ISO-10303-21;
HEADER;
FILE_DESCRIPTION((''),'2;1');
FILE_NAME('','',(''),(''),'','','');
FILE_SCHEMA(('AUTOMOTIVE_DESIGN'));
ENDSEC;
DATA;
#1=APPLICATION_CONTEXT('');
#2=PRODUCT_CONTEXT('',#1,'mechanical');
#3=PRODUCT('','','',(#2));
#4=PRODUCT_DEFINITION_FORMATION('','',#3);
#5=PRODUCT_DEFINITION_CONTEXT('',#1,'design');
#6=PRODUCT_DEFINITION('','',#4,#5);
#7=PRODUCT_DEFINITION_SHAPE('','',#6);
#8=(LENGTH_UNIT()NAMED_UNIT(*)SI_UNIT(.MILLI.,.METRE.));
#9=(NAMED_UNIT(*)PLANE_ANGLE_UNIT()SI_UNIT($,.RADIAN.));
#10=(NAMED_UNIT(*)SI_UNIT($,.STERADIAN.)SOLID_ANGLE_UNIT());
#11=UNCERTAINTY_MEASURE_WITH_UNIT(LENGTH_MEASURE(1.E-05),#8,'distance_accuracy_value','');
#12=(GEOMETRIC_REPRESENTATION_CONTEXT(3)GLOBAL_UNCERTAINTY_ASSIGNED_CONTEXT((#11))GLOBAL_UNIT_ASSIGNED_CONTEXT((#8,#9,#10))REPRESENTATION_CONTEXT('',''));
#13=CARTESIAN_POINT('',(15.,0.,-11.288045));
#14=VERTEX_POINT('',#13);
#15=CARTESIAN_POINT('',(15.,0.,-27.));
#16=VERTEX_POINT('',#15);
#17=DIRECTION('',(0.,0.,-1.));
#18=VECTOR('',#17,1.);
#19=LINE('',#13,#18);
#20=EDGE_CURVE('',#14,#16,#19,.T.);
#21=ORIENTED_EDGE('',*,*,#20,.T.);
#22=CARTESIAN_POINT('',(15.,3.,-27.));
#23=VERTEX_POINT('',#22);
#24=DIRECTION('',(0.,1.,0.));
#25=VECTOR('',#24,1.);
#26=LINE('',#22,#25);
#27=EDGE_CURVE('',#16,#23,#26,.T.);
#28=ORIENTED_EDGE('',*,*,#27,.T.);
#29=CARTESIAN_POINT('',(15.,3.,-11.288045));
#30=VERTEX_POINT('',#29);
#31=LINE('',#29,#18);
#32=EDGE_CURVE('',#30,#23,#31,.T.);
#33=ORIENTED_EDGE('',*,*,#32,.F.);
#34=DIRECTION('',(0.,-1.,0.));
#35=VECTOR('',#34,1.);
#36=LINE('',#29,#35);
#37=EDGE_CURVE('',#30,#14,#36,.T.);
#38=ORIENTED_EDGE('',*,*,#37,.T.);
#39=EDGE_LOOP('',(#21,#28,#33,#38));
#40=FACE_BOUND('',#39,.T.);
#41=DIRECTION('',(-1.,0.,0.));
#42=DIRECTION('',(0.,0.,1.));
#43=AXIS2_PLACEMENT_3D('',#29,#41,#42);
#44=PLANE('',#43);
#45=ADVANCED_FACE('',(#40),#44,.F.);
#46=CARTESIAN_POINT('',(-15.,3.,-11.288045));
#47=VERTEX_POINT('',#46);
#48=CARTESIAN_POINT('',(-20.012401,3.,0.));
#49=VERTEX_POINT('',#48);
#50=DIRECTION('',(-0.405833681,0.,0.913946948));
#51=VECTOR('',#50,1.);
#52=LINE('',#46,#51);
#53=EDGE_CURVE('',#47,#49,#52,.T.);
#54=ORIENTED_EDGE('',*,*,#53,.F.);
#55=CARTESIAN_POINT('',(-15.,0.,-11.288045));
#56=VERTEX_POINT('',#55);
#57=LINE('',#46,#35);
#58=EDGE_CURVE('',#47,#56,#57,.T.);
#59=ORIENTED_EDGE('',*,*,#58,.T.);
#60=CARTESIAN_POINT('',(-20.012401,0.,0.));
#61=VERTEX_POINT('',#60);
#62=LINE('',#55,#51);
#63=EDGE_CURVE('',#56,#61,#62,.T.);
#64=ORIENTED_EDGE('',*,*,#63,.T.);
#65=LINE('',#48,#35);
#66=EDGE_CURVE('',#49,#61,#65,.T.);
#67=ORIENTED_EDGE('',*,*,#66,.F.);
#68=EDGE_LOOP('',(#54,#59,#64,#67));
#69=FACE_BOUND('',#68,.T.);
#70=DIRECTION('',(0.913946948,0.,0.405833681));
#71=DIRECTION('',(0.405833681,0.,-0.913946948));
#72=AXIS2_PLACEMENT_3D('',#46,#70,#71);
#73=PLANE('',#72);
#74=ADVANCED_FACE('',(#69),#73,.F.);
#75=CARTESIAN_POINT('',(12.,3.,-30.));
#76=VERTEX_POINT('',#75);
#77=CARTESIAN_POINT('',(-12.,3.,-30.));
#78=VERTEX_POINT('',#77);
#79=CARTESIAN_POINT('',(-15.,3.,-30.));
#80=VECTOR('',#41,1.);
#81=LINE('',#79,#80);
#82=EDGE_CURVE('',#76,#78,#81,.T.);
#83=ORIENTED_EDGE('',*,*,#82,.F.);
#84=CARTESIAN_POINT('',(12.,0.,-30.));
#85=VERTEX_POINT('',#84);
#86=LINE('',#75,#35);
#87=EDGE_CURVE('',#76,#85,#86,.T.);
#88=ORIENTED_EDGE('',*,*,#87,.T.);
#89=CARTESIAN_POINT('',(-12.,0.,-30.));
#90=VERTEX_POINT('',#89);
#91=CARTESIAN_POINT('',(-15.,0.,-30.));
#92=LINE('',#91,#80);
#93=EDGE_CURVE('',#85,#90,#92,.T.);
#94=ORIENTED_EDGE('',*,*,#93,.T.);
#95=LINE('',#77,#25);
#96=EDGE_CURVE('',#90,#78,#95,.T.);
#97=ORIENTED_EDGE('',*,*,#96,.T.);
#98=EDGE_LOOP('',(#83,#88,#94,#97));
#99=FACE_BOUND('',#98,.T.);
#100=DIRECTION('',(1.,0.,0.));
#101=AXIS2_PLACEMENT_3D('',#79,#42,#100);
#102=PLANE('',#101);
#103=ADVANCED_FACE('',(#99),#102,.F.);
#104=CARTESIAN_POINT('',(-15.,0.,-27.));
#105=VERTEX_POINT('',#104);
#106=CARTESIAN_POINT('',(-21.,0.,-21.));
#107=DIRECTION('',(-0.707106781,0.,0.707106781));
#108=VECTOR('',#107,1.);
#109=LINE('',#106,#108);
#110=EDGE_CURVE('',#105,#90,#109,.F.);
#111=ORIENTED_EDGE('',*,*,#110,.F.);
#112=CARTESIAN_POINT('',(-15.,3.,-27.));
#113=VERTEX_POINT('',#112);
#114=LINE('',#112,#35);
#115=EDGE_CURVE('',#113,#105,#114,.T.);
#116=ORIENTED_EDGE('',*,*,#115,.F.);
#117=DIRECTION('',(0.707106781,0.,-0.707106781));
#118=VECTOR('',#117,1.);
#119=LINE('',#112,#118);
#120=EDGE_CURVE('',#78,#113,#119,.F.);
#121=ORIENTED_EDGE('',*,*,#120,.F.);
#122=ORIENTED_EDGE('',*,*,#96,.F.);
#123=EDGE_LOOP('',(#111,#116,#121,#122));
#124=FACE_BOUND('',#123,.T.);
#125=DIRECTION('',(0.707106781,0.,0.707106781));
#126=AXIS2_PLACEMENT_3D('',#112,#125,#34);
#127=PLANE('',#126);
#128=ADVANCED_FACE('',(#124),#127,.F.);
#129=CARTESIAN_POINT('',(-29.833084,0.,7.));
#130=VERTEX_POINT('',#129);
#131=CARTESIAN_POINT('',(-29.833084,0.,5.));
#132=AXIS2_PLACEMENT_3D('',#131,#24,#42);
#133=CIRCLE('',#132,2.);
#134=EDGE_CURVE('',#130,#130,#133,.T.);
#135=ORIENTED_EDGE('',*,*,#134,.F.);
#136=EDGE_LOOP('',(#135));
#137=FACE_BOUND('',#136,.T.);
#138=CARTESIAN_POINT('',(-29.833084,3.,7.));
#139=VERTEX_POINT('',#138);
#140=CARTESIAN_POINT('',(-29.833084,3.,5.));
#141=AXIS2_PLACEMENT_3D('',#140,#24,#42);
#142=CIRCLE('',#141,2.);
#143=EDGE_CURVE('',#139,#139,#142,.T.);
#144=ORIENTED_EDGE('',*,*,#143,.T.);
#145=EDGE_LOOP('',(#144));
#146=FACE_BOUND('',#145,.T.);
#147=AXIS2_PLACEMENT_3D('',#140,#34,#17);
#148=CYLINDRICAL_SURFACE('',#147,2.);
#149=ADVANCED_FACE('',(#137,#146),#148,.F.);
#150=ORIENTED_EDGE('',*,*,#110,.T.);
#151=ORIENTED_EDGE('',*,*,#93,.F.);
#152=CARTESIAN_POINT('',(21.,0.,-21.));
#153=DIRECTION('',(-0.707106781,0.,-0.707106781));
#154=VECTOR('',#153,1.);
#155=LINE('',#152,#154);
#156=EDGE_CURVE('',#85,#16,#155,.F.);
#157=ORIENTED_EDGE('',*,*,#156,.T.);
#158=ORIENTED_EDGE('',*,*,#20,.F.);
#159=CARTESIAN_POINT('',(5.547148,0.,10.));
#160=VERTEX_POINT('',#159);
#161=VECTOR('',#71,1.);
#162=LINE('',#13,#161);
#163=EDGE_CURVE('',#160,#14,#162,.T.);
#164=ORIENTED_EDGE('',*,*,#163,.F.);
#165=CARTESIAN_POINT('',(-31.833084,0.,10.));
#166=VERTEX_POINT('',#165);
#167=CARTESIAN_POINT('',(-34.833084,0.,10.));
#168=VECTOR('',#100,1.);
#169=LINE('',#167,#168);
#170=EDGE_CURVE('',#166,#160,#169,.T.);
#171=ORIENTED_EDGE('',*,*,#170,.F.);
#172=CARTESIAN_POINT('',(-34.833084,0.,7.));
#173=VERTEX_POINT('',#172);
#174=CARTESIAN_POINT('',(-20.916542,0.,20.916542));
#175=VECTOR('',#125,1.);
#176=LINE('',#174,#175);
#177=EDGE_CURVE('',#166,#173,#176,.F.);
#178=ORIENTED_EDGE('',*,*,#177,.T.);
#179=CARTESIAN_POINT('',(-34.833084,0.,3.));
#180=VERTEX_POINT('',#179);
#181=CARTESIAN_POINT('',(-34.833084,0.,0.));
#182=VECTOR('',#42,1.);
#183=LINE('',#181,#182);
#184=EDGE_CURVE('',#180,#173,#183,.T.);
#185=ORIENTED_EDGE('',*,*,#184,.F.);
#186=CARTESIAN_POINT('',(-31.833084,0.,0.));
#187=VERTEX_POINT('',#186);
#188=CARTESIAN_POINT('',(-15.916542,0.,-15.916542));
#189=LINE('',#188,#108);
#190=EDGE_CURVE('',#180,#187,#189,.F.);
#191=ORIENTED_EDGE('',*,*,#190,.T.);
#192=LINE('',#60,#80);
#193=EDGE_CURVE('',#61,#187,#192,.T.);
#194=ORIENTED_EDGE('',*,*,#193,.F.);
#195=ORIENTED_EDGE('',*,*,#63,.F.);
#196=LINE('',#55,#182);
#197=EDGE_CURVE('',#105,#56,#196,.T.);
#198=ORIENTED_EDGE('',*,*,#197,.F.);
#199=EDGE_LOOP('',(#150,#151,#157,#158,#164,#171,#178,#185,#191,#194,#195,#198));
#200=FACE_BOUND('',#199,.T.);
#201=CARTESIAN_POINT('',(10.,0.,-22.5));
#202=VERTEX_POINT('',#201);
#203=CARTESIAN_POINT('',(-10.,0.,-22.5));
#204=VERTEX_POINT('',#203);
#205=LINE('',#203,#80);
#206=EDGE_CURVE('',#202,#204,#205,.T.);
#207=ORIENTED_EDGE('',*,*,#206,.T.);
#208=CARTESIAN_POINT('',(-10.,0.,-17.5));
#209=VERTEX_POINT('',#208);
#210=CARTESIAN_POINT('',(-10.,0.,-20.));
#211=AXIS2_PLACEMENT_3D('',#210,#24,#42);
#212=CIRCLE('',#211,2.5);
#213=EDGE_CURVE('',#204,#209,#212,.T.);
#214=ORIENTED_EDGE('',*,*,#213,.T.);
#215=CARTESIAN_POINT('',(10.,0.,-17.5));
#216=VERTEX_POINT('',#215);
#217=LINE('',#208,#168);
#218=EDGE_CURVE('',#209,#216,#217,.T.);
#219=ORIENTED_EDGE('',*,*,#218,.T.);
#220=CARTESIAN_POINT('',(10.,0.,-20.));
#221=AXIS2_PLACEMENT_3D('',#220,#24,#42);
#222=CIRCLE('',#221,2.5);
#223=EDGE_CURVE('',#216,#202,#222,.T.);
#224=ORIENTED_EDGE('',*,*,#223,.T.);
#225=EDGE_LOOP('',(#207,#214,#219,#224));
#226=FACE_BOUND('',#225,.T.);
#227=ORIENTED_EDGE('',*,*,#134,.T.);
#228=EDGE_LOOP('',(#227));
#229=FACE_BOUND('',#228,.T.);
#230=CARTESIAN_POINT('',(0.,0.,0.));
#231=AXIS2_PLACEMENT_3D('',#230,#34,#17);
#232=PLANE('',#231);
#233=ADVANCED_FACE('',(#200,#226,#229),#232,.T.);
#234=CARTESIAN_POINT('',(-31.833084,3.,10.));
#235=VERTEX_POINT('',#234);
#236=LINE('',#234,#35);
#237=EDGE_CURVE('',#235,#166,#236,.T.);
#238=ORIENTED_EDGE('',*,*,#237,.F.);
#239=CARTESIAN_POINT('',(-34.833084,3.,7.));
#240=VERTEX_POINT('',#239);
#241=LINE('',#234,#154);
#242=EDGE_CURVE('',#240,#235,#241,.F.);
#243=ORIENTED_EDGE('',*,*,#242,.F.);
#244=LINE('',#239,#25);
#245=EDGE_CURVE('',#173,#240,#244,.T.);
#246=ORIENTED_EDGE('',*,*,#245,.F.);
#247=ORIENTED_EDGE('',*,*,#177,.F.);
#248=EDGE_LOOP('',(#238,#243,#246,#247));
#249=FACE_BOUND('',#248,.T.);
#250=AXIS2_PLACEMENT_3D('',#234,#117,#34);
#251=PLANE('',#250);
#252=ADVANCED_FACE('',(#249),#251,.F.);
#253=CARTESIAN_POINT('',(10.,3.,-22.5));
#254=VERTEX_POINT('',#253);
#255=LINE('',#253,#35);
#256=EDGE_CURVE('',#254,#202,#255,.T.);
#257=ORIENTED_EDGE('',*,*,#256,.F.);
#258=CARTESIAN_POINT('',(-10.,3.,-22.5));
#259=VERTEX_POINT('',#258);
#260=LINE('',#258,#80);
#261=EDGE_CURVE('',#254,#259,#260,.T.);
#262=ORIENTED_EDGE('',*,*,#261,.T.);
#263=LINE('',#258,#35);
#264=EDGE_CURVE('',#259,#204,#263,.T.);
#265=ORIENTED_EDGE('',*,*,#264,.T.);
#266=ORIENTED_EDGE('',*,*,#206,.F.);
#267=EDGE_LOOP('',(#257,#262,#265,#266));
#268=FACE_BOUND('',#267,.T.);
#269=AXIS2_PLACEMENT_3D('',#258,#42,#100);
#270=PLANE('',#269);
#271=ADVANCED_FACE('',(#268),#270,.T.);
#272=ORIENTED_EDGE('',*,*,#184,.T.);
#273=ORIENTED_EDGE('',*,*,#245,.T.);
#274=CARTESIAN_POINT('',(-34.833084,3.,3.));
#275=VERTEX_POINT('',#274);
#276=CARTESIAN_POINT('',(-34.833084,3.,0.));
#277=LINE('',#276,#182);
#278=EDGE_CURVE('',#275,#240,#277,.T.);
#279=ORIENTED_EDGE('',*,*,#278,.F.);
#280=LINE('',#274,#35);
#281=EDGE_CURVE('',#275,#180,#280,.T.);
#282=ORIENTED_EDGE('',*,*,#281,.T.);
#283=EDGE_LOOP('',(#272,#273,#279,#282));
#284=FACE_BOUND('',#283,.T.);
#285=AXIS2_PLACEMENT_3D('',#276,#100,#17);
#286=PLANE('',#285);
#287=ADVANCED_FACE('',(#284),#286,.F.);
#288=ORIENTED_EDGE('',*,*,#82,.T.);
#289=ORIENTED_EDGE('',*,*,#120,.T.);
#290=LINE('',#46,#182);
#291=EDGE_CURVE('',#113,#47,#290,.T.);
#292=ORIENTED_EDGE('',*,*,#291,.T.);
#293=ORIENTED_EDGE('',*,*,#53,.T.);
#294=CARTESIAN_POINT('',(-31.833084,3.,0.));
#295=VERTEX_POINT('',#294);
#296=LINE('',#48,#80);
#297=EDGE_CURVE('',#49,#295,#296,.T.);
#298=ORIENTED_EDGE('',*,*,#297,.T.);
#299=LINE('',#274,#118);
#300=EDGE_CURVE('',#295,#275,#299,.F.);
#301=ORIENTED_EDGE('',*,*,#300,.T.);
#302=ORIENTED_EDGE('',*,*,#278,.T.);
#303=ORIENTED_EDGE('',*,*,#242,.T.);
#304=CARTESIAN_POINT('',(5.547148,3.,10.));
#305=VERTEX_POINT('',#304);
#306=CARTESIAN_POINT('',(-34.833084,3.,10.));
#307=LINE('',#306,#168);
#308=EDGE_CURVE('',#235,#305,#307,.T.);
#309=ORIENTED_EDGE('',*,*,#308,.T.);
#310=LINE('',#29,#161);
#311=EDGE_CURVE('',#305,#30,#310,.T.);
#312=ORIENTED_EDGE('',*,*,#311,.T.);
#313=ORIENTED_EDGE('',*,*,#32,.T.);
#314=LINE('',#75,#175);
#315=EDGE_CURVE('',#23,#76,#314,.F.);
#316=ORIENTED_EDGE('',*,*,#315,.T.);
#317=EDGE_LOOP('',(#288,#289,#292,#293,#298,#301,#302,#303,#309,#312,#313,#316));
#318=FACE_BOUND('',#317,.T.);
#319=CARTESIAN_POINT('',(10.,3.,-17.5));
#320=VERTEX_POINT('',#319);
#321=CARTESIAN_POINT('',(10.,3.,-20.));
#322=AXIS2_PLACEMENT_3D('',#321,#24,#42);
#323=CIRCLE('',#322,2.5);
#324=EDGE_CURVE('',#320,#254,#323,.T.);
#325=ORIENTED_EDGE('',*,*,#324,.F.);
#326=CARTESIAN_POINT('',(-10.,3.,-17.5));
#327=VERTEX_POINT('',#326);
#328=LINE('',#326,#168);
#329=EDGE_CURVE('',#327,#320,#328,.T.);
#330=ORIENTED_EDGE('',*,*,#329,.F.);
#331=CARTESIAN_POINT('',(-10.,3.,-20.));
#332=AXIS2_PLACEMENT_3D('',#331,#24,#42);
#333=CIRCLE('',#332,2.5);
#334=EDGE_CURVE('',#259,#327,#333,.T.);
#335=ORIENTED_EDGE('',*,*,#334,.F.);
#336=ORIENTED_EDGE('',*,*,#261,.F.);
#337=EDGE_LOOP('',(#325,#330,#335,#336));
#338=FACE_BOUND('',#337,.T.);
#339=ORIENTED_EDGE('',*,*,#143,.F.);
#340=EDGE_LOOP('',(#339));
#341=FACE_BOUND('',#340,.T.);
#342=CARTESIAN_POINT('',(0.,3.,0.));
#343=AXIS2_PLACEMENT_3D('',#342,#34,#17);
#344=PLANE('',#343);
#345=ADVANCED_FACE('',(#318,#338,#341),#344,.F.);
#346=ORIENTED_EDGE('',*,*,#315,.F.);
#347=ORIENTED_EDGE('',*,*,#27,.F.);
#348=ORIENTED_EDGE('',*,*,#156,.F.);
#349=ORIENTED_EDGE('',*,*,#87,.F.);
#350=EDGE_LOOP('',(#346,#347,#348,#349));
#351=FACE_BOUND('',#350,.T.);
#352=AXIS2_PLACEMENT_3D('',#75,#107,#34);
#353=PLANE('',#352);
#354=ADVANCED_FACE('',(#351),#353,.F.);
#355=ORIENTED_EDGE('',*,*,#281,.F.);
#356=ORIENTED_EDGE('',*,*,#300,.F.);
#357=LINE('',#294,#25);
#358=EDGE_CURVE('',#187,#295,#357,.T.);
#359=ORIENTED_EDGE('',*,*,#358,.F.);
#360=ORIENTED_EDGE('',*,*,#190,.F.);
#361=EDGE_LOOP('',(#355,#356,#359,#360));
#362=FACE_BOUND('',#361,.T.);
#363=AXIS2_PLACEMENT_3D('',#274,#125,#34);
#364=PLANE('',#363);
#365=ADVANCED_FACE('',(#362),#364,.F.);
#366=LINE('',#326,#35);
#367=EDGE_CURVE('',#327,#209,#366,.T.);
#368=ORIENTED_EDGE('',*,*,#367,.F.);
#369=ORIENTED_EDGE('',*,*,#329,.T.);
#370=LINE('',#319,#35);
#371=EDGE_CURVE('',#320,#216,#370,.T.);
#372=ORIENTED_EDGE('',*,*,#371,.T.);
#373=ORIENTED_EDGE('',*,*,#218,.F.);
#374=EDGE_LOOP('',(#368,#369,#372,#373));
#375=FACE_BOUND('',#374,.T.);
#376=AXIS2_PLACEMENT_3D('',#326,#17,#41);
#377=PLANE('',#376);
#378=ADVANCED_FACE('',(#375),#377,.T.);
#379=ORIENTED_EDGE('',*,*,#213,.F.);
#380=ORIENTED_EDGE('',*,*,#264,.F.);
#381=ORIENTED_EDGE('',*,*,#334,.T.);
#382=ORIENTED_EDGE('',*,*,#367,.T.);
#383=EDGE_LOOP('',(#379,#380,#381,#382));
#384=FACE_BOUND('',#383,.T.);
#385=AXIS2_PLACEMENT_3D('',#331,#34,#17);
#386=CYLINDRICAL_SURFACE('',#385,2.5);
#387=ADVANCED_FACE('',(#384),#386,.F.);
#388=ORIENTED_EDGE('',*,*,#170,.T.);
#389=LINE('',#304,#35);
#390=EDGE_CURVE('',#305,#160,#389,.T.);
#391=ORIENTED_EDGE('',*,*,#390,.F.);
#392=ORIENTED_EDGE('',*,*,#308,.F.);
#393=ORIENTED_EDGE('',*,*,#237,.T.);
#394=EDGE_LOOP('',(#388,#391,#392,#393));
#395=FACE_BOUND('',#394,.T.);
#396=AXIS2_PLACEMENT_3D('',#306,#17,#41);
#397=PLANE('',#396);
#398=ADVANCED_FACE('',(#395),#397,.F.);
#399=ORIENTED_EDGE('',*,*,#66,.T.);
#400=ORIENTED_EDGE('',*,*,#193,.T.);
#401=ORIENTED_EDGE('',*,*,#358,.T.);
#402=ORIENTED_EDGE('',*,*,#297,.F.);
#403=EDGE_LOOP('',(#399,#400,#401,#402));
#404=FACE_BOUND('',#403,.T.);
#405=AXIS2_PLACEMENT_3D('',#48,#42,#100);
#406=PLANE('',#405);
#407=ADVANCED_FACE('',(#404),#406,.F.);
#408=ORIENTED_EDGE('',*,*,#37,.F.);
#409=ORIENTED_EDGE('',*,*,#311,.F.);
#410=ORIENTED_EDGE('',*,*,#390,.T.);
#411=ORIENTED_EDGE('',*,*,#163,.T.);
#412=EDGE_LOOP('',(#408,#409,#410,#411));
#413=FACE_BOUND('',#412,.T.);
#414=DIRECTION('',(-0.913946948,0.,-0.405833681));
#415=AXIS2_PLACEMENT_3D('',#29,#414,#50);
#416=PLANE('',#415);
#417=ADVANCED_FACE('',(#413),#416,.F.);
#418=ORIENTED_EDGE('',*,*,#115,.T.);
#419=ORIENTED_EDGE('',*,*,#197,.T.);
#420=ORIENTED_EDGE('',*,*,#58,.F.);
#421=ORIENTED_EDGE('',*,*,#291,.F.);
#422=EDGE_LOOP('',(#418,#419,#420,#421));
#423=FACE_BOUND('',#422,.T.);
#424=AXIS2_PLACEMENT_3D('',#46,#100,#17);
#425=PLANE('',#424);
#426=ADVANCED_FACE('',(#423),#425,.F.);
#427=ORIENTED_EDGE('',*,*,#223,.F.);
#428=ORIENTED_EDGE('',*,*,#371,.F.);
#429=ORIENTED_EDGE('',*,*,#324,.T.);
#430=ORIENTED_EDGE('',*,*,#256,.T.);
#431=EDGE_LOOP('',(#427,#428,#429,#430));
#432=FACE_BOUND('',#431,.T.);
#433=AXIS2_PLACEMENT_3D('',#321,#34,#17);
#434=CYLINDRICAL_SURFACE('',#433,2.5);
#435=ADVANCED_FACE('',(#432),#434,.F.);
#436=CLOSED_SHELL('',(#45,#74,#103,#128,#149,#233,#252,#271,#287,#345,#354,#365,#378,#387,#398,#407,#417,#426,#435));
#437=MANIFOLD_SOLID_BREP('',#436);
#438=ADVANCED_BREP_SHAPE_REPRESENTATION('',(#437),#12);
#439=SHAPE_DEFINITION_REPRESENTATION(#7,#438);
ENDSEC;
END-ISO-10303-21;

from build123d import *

# Parameters (mm, degrees)
CROQUIS1_R              = 2
SALIENTE_EXTRUIR1_DEPTH = 3
CHAFL_N1_SIZE           = 3


with BuildPart() as part:
    # Croquis1 → Saliente-Extruir1 (new body)
    with BuildSketch(Plane(origin=(0, 0, 0), x_dir=(1, 0, 0), z_dir=(0, 1, 0))):
        Polygon((-15, 11.288045039), (-15, 30), (15, 30), (15, 11.288045039), (5.54714751, -10), (-34.833084075, -10), (-34.833084075, 0), (-20.012401302, 0), align=None)
        with Locations(Location((-29.833084075, -5, 0), (0, 0, 270))):
            Circle(CROQUIS1_R, mode=Mode.SUBTRACT)
        with BuildLine():
            Line((-10, 17.5), (10, 17.5))
            ThreePointArc((10, 17.5), (12.5, 20), (10, 22.5))
            Line((10, 22.5), (-10, 22.5))
            ThreePointArc((-10, 22.5), (-12.5, 20), (-10, 17.5))
        make_face(mode=Mode.SUBTRACT)
    extrude(amount=SALIENTE_EXTRUIR1_DEPTH)

    # Chaflán1
    chafl_n1_edges = [part.edges().sort_by_distance(p)[0] for p in [
        (-34.833084075, 1.5, 10),
        (-34.833084075, 1.5, 0),
        (-15, 1.5, -30),
        (15, 1.5, -30),
    ]]
    chamfer(chafl_n1_edges, length=CHAFL_N1_SIZE)


solid = part.part
